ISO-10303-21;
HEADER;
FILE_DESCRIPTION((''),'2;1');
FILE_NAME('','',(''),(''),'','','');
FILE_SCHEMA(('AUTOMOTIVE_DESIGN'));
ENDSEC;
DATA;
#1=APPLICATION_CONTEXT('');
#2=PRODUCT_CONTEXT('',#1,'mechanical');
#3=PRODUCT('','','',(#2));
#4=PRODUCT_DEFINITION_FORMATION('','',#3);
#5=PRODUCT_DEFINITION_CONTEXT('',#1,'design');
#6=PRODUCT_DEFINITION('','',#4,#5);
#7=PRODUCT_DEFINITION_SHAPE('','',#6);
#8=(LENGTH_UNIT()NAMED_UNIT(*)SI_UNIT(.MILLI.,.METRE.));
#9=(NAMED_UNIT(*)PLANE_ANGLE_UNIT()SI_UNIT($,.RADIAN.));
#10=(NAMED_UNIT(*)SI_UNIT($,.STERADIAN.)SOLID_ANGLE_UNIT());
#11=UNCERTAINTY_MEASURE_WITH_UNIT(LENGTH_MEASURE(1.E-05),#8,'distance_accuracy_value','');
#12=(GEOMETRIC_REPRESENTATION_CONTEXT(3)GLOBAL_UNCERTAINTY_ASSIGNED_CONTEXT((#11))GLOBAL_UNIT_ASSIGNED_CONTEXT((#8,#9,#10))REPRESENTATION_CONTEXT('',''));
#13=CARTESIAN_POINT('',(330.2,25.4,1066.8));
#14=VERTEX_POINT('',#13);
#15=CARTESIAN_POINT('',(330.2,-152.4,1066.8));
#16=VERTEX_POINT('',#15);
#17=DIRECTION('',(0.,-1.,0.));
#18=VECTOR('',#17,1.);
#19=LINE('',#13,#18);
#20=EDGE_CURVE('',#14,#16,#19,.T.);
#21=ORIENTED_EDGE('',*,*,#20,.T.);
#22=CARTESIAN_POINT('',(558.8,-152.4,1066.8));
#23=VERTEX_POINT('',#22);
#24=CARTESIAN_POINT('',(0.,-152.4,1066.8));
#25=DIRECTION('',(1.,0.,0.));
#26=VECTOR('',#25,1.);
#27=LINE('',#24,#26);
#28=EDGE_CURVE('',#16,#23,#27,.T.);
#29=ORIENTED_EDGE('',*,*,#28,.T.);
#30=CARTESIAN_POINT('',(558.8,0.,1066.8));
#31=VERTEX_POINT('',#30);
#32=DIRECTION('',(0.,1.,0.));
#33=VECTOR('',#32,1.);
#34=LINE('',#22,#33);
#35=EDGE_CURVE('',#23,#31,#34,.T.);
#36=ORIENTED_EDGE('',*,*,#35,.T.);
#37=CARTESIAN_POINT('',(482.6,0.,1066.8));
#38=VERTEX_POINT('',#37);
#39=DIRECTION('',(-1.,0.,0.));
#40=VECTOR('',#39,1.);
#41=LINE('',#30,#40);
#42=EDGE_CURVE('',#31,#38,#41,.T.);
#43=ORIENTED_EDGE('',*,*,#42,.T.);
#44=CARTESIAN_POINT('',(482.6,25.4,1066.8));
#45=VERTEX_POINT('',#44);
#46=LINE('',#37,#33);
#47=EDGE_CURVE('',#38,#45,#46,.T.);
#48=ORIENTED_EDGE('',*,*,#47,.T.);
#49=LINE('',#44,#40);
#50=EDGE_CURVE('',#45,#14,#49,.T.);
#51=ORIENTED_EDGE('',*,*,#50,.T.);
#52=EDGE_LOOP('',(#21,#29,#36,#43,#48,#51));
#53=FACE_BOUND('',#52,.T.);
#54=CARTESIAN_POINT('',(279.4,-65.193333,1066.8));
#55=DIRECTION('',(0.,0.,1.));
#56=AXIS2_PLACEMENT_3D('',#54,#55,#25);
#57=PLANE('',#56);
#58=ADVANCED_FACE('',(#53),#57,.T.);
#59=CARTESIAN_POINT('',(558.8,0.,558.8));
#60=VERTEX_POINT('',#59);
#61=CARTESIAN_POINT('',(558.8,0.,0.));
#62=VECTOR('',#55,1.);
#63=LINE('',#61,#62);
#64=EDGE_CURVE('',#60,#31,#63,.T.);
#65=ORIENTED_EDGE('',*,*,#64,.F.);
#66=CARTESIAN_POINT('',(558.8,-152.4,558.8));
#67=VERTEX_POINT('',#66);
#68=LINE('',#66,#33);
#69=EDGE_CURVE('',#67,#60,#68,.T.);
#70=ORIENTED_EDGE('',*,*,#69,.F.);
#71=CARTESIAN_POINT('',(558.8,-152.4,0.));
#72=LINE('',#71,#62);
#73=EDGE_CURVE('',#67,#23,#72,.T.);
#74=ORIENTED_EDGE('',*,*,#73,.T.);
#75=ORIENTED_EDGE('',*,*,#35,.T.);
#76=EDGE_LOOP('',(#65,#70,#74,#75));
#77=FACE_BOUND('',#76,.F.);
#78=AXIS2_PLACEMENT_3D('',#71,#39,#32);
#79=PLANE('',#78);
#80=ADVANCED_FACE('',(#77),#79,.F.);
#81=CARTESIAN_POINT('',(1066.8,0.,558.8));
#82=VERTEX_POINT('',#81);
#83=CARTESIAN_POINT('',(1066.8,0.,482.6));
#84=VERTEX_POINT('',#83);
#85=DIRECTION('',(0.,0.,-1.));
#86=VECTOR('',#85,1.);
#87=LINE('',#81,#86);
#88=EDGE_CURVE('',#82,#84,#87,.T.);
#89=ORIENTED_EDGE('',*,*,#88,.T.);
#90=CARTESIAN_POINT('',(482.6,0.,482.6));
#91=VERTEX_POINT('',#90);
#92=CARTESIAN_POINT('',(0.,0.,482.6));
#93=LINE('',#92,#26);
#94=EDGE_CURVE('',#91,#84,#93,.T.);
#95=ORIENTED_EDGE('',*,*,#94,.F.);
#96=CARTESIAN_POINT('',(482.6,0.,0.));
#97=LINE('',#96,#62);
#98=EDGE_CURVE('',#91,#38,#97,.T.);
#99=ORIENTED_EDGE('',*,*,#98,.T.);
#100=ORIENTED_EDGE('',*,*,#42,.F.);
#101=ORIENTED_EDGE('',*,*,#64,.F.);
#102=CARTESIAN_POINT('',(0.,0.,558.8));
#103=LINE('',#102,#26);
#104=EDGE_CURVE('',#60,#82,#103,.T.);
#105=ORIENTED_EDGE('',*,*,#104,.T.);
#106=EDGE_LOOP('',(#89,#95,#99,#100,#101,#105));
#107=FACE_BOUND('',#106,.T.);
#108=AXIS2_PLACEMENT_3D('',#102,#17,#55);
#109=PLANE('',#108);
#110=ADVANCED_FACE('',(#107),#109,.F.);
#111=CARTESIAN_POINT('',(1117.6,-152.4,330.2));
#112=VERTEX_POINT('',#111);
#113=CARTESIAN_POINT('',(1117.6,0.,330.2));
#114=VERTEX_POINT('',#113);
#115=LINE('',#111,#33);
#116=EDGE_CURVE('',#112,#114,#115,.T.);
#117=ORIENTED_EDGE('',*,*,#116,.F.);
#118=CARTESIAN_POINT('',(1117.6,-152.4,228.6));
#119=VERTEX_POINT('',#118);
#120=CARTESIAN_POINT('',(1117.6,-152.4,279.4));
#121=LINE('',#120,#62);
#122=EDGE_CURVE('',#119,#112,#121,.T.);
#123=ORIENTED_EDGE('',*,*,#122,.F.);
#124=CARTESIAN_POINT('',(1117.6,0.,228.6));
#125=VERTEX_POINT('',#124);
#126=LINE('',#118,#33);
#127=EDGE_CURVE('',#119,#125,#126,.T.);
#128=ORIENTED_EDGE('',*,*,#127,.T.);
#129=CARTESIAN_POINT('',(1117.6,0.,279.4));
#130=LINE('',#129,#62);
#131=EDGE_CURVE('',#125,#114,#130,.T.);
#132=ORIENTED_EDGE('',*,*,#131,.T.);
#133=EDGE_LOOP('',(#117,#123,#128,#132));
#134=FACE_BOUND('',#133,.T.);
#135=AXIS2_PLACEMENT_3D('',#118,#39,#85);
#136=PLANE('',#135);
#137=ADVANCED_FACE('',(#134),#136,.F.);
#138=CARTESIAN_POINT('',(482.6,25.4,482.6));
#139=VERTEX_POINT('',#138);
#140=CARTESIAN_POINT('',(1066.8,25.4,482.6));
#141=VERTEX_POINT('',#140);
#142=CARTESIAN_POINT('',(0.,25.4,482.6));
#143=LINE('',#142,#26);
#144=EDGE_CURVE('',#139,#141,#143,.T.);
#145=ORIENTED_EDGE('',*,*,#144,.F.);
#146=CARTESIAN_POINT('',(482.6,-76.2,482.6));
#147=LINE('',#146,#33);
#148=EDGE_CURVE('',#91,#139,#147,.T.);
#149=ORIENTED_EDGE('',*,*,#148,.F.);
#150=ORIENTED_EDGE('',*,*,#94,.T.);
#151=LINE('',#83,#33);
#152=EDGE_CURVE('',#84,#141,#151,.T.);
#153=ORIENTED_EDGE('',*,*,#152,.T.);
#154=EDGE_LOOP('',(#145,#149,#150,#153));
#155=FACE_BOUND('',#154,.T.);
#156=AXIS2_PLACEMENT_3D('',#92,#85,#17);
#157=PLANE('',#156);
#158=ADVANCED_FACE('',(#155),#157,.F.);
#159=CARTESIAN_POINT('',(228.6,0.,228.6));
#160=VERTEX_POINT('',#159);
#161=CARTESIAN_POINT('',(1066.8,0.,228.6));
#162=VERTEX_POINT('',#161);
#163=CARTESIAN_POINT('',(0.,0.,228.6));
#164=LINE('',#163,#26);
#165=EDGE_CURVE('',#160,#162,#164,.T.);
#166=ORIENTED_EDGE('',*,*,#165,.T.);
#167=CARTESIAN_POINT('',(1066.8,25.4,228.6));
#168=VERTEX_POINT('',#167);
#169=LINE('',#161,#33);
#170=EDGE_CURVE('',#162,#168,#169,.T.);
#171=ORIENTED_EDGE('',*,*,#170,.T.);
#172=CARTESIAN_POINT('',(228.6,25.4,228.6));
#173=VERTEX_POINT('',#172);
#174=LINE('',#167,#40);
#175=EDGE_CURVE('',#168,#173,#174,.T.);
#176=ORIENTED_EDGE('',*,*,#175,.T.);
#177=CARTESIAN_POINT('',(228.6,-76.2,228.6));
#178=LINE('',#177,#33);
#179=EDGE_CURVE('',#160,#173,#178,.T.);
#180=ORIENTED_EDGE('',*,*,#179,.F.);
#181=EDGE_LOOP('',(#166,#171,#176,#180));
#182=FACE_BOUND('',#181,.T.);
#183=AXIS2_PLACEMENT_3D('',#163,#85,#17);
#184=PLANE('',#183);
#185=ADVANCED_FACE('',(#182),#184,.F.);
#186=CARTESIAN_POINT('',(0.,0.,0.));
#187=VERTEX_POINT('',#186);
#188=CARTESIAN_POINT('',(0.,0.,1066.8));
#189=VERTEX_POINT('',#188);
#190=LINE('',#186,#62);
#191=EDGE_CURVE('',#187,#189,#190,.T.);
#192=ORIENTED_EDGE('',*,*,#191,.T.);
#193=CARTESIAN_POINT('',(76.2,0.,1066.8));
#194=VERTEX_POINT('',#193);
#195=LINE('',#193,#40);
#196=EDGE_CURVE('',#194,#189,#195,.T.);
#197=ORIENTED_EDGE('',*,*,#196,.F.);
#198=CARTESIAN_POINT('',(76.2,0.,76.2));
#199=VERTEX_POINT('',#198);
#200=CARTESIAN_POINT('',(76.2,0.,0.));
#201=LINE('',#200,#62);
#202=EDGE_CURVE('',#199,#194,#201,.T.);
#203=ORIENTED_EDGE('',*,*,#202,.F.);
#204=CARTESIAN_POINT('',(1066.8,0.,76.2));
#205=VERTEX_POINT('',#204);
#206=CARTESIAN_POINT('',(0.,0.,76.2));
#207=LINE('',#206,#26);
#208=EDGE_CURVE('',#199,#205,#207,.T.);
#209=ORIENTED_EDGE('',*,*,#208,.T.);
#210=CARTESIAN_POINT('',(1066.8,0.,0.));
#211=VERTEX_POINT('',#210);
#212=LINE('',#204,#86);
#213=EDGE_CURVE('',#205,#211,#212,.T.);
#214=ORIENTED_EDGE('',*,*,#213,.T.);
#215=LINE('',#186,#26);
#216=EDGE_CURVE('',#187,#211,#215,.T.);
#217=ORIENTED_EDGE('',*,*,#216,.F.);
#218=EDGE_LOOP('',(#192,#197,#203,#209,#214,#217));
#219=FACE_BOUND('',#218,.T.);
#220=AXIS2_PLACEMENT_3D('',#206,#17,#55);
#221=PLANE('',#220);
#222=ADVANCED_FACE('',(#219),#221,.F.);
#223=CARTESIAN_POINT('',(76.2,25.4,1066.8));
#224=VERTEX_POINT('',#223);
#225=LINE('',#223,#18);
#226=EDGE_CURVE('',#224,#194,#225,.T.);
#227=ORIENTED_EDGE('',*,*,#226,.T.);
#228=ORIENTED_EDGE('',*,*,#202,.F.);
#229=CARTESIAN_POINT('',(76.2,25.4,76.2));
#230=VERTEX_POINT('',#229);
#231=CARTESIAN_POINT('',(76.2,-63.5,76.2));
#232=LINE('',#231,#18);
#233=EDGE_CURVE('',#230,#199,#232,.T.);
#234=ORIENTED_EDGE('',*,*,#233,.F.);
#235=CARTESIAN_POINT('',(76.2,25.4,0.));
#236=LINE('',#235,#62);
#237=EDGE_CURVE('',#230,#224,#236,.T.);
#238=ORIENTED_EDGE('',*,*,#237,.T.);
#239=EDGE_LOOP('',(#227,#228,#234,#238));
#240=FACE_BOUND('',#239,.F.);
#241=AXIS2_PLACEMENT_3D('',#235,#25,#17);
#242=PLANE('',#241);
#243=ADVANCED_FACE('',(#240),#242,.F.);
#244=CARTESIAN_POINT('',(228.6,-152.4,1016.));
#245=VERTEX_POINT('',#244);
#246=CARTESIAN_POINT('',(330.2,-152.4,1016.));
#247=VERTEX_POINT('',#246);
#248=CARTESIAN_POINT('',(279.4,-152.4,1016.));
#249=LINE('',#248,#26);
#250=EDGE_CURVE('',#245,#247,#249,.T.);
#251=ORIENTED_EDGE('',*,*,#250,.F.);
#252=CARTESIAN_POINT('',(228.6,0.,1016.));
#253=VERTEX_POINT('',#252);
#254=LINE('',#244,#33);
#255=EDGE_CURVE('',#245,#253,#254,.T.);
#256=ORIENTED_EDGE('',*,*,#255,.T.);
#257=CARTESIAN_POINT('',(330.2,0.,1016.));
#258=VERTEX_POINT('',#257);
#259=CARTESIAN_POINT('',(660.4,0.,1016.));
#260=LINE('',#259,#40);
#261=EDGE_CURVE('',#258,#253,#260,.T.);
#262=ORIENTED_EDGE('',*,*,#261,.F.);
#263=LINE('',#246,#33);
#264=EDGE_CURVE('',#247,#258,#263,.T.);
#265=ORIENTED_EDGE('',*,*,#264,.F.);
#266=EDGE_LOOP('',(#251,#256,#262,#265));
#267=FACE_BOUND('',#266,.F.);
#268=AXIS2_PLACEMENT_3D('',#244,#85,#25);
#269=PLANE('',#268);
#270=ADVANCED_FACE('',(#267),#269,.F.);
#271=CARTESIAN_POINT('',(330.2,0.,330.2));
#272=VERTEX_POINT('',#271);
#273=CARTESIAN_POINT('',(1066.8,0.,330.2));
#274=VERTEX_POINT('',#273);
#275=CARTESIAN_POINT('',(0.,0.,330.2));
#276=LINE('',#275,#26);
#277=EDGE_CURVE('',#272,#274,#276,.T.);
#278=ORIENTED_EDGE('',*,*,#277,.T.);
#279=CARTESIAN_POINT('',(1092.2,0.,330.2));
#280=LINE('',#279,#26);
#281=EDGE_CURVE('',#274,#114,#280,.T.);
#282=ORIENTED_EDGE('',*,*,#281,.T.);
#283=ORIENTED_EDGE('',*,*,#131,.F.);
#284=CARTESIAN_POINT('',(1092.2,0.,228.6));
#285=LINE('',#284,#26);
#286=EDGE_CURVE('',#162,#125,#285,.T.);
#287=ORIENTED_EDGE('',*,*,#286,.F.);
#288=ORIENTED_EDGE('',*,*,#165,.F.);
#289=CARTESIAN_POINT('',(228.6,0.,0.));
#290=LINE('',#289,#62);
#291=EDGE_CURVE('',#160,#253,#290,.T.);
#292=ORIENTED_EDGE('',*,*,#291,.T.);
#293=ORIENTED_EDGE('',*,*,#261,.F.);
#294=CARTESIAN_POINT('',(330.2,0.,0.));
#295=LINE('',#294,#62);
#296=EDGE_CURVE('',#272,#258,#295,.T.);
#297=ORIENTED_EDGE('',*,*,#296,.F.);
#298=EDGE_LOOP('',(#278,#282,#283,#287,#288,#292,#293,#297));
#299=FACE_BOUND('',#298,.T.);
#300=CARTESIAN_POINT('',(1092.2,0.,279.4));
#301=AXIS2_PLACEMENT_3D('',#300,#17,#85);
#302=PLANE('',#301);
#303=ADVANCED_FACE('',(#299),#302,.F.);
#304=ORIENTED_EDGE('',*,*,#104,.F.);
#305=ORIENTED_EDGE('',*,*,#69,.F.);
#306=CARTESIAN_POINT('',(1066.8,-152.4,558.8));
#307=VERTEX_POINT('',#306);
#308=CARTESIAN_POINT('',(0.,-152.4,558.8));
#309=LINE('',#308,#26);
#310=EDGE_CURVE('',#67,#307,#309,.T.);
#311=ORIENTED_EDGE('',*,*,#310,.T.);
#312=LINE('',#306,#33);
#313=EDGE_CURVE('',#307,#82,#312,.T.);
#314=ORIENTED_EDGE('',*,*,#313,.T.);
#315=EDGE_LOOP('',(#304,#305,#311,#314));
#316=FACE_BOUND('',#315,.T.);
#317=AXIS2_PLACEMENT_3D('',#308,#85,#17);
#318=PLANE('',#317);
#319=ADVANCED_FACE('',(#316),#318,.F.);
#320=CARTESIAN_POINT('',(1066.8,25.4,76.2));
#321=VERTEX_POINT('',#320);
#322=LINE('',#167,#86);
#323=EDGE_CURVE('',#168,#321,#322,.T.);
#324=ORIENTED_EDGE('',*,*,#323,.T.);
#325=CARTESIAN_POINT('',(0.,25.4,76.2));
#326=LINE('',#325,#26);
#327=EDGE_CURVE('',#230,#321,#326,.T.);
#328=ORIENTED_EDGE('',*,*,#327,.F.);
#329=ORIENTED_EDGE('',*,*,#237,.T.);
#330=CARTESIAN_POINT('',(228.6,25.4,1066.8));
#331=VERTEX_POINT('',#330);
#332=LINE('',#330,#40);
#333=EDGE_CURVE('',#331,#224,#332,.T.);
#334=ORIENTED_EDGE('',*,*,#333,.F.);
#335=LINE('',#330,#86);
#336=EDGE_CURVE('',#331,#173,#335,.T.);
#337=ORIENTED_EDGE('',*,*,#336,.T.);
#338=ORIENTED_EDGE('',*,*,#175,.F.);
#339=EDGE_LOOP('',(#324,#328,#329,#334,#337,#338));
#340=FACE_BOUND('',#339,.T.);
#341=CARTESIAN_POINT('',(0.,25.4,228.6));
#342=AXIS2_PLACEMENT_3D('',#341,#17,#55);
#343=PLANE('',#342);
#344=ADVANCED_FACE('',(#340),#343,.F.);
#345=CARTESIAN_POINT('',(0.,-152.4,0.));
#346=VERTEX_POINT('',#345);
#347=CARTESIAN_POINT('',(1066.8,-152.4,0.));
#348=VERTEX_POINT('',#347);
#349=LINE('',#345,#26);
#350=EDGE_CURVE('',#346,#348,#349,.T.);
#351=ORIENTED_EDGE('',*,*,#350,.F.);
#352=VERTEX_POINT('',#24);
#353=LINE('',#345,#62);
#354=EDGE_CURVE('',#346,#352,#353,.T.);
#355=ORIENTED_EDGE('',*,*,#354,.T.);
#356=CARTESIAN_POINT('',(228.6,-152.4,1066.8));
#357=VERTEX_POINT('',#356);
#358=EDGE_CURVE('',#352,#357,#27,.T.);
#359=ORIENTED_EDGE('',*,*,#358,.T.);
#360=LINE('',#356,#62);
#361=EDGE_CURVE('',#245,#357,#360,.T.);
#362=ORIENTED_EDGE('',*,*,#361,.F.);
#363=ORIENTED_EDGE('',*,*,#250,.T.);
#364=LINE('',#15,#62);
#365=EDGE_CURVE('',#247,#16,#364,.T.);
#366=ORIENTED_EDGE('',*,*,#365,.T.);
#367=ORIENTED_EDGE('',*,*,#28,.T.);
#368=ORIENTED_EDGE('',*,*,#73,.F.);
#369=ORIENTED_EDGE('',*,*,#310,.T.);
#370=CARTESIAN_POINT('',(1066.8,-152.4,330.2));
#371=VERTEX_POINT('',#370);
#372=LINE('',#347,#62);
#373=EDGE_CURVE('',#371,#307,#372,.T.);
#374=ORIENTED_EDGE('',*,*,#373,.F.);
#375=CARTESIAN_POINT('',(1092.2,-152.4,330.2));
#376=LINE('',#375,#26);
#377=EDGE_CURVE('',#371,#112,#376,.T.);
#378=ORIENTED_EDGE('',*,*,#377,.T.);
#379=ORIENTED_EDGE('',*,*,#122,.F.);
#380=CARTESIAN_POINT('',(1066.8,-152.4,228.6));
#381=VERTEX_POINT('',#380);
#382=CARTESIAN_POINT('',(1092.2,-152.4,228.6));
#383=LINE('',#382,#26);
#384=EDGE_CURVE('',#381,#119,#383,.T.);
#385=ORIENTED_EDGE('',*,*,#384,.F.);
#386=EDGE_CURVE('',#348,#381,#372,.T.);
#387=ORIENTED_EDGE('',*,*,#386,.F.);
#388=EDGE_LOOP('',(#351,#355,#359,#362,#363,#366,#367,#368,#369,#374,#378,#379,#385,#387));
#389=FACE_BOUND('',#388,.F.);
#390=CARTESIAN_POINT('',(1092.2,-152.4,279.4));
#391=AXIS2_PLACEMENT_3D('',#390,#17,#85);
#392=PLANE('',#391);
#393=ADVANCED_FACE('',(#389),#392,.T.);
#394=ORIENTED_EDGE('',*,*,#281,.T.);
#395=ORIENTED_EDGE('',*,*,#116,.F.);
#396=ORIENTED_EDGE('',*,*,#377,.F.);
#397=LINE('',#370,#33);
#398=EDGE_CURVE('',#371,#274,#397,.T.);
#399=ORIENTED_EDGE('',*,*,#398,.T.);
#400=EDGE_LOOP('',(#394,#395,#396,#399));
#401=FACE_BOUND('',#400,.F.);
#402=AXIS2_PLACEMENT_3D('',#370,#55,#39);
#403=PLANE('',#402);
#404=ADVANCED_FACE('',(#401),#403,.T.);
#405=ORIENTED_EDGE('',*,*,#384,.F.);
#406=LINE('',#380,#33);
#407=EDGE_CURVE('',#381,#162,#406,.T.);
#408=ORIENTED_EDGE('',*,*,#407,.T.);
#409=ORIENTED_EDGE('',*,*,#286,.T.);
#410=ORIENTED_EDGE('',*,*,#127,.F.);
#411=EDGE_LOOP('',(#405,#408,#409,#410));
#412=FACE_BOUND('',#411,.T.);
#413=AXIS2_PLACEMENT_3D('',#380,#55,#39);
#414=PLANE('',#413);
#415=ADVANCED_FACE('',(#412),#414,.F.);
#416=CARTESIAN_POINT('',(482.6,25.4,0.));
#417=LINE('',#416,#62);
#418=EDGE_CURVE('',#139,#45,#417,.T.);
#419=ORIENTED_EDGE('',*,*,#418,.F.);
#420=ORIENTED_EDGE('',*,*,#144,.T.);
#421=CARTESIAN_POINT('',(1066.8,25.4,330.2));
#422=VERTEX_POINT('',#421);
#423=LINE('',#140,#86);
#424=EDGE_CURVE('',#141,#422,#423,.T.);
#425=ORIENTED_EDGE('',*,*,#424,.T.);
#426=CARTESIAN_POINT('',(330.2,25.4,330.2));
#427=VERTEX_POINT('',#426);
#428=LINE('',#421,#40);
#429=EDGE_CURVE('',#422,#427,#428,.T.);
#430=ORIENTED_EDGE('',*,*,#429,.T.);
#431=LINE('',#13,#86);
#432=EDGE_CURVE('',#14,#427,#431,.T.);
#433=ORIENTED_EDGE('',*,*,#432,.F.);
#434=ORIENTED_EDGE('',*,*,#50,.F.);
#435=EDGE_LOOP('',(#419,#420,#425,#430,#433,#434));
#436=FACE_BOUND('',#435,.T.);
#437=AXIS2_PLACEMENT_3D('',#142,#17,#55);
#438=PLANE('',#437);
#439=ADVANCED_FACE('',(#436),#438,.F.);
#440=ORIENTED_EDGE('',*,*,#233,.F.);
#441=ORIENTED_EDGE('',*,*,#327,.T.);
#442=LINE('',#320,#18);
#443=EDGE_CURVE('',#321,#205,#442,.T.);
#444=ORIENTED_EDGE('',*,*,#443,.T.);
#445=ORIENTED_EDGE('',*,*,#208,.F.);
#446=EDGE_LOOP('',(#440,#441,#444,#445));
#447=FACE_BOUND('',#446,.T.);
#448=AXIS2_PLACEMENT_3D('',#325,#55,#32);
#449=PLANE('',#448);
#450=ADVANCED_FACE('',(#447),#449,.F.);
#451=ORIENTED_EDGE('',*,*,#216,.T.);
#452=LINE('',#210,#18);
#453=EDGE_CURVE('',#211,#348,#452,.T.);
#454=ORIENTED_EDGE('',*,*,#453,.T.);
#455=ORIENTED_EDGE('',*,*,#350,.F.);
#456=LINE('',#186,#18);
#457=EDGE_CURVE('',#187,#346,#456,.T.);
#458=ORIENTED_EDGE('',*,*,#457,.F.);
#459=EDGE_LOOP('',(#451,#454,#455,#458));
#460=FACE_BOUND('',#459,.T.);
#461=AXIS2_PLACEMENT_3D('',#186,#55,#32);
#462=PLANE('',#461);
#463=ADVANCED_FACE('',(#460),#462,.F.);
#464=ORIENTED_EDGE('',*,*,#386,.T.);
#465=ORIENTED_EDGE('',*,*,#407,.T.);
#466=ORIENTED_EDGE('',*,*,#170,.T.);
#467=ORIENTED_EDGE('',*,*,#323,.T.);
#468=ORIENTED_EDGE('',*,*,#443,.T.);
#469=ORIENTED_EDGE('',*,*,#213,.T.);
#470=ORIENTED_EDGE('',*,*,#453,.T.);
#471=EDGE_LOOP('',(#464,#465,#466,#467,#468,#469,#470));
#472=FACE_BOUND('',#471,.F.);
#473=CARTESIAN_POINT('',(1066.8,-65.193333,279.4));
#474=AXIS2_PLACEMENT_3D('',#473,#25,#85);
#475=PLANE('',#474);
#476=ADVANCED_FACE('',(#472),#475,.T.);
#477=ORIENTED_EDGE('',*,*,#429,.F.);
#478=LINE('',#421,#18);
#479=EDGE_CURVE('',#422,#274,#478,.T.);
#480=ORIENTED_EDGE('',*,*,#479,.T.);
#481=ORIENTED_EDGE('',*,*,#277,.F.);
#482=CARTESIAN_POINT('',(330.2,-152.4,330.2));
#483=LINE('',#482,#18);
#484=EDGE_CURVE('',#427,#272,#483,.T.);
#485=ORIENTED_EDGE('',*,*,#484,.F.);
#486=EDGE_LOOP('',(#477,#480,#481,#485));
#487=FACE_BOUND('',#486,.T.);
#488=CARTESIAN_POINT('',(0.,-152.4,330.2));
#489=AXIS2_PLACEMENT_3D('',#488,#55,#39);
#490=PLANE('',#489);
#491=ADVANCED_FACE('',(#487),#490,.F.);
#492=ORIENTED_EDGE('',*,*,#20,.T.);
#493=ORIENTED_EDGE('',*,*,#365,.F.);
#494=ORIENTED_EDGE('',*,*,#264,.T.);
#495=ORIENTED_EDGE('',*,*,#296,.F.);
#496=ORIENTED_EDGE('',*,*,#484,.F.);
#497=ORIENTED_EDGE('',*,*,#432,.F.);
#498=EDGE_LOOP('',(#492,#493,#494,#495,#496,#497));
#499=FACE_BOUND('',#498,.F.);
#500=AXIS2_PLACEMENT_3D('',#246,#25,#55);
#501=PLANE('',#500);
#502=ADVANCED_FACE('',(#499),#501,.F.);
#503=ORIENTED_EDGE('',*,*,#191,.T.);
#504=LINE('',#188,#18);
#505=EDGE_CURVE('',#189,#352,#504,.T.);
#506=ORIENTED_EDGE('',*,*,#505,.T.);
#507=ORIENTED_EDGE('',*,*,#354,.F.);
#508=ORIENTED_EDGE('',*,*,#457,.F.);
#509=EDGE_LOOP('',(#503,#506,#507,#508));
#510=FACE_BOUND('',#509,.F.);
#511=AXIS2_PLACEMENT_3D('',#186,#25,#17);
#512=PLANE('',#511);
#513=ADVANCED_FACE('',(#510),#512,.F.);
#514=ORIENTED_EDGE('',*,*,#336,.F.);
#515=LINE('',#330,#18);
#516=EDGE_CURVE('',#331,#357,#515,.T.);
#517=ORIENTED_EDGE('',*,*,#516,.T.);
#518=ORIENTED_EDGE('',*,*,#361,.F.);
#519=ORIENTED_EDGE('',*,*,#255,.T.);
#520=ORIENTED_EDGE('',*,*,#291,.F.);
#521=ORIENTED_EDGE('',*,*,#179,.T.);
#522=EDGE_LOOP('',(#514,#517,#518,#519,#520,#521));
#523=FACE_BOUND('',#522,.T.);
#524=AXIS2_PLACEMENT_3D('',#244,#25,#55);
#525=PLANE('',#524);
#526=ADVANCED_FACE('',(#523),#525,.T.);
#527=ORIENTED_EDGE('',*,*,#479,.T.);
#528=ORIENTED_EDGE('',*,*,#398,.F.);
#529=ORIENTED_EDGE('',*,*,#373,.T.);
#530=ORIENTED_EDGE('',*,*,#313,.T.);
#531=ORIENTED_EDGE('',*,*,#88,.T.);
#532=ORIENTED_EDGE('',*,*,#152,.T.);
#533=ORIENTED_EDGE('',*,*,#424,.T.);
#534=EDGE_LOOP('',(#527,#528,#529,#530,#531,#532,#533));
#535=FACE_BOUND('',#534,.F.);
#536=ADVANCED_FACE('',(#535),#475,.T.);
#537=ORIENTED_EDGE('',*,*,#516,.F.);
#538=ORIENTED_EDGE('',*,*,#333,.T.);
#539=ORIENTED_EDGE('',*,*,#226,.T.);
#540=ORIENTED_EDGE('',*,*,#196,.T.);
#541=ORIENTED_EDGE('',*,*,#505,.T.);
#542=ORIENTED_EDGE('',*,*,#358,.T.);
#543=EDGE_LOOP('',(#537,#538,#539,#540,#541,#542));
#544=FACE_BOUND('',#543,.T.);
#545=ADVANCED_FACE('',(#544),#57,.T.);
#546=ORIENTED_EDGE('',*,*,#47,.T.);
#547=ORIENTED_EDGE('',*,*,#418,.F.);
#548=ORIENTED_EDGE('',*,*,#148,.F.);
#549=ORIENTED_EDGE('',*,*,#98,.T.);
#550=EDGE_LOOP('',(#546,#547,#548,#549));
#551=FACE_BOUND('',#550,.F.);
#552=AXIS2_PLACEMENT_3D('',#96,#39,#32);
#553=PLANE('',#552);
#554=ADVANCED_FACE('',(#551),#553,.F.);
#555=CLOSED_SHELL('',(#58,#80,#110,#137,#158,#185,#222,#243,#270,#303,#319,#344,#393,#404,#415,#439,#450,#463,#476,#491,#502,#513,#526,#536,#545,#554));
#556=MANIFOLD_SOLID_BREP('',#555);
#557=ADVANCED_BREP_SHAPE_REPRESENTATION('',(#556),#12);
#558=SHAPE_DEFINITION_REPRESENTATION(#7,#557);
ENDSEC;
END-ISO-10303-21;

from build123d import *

# Parameters (mm, degrees)
F1_DEPTH  = 1066.8
F3_W      = 101.6
F3_H      = 50.8
F4_DEPTH  = 152.4
F5_W      = 101.6
F5_H      = 50.8
F6_DEPTH  = 177.801
F8_DEPTH  = 177.801
F10_W     = 101.6
F10_H     = 101.6
F11_DEPTH = 177.801


with BuildPart() as f1:
    # F0 (on Top) → F1 (new body)
    with BuildSketch(Plane.XY):
        Polygon((76.2, 0), (0, 0), (0, -152.4), (558.8, -152.4), (558.8, 0), (482.6, 0), (482.6, 25.4), (330.2, 25.4), (330.2, 0), (228.6, 0), (228.6, 25.4), (76.2, 25.4), align=None)
    extrude(amount=F1_DEPTH)

    # F3 (on offset) → F4 (join)
    with BuildSketch(Plane.XZ.offset(152.4)):
        with Locations((279.4, 1092.2)):
            Rectangle(F3_W, F3_H)
    extrude(amount=-F4_DEPTH)

    # F5 (on offset) → F6 (cut, through all)
    with BuildSketch(Plane.XZ.offset(152.4)):
        with Locations((279.4, 25.4)):
            Rectangle(F5_W, F5_H)
    extrude(amount=-F6_DEPTH, mode=Mode.SUBTRACT)

    # F7 (on offset) → F8 (cut, through all)
    with BuildSketch(Plane.XZ.offset(152.4)):
        Polygon((586.1058764434, 586.1058764434), (0, 0), (586.1058764434, 0), align=None)
    extrude(amount=-F8_DEPTH, mode=Mode.SUBTRACT)

    # F9: F1 across face


with BuildPart() as f1_1:
    add(f1.part)
    add(f1.part.mirror(Plane(origin=(279.4, -68.7916666667, 279.4), x_dir=(0, 1, 0), z_dir=(0.7071067812, 0, -0.7071067812))))

    # F10 (on offset) → F11 (cut, through all)
    with BuildSketch(Plane.XZ.offset(152.4)):
        with Locations((279.4, 1066.8)):
            Rectangle(F10_W, F10_H)
    extrude(amount=-F11_DEPTH, mode=Mode.SUBTRACT)


solid = f1_1.part
